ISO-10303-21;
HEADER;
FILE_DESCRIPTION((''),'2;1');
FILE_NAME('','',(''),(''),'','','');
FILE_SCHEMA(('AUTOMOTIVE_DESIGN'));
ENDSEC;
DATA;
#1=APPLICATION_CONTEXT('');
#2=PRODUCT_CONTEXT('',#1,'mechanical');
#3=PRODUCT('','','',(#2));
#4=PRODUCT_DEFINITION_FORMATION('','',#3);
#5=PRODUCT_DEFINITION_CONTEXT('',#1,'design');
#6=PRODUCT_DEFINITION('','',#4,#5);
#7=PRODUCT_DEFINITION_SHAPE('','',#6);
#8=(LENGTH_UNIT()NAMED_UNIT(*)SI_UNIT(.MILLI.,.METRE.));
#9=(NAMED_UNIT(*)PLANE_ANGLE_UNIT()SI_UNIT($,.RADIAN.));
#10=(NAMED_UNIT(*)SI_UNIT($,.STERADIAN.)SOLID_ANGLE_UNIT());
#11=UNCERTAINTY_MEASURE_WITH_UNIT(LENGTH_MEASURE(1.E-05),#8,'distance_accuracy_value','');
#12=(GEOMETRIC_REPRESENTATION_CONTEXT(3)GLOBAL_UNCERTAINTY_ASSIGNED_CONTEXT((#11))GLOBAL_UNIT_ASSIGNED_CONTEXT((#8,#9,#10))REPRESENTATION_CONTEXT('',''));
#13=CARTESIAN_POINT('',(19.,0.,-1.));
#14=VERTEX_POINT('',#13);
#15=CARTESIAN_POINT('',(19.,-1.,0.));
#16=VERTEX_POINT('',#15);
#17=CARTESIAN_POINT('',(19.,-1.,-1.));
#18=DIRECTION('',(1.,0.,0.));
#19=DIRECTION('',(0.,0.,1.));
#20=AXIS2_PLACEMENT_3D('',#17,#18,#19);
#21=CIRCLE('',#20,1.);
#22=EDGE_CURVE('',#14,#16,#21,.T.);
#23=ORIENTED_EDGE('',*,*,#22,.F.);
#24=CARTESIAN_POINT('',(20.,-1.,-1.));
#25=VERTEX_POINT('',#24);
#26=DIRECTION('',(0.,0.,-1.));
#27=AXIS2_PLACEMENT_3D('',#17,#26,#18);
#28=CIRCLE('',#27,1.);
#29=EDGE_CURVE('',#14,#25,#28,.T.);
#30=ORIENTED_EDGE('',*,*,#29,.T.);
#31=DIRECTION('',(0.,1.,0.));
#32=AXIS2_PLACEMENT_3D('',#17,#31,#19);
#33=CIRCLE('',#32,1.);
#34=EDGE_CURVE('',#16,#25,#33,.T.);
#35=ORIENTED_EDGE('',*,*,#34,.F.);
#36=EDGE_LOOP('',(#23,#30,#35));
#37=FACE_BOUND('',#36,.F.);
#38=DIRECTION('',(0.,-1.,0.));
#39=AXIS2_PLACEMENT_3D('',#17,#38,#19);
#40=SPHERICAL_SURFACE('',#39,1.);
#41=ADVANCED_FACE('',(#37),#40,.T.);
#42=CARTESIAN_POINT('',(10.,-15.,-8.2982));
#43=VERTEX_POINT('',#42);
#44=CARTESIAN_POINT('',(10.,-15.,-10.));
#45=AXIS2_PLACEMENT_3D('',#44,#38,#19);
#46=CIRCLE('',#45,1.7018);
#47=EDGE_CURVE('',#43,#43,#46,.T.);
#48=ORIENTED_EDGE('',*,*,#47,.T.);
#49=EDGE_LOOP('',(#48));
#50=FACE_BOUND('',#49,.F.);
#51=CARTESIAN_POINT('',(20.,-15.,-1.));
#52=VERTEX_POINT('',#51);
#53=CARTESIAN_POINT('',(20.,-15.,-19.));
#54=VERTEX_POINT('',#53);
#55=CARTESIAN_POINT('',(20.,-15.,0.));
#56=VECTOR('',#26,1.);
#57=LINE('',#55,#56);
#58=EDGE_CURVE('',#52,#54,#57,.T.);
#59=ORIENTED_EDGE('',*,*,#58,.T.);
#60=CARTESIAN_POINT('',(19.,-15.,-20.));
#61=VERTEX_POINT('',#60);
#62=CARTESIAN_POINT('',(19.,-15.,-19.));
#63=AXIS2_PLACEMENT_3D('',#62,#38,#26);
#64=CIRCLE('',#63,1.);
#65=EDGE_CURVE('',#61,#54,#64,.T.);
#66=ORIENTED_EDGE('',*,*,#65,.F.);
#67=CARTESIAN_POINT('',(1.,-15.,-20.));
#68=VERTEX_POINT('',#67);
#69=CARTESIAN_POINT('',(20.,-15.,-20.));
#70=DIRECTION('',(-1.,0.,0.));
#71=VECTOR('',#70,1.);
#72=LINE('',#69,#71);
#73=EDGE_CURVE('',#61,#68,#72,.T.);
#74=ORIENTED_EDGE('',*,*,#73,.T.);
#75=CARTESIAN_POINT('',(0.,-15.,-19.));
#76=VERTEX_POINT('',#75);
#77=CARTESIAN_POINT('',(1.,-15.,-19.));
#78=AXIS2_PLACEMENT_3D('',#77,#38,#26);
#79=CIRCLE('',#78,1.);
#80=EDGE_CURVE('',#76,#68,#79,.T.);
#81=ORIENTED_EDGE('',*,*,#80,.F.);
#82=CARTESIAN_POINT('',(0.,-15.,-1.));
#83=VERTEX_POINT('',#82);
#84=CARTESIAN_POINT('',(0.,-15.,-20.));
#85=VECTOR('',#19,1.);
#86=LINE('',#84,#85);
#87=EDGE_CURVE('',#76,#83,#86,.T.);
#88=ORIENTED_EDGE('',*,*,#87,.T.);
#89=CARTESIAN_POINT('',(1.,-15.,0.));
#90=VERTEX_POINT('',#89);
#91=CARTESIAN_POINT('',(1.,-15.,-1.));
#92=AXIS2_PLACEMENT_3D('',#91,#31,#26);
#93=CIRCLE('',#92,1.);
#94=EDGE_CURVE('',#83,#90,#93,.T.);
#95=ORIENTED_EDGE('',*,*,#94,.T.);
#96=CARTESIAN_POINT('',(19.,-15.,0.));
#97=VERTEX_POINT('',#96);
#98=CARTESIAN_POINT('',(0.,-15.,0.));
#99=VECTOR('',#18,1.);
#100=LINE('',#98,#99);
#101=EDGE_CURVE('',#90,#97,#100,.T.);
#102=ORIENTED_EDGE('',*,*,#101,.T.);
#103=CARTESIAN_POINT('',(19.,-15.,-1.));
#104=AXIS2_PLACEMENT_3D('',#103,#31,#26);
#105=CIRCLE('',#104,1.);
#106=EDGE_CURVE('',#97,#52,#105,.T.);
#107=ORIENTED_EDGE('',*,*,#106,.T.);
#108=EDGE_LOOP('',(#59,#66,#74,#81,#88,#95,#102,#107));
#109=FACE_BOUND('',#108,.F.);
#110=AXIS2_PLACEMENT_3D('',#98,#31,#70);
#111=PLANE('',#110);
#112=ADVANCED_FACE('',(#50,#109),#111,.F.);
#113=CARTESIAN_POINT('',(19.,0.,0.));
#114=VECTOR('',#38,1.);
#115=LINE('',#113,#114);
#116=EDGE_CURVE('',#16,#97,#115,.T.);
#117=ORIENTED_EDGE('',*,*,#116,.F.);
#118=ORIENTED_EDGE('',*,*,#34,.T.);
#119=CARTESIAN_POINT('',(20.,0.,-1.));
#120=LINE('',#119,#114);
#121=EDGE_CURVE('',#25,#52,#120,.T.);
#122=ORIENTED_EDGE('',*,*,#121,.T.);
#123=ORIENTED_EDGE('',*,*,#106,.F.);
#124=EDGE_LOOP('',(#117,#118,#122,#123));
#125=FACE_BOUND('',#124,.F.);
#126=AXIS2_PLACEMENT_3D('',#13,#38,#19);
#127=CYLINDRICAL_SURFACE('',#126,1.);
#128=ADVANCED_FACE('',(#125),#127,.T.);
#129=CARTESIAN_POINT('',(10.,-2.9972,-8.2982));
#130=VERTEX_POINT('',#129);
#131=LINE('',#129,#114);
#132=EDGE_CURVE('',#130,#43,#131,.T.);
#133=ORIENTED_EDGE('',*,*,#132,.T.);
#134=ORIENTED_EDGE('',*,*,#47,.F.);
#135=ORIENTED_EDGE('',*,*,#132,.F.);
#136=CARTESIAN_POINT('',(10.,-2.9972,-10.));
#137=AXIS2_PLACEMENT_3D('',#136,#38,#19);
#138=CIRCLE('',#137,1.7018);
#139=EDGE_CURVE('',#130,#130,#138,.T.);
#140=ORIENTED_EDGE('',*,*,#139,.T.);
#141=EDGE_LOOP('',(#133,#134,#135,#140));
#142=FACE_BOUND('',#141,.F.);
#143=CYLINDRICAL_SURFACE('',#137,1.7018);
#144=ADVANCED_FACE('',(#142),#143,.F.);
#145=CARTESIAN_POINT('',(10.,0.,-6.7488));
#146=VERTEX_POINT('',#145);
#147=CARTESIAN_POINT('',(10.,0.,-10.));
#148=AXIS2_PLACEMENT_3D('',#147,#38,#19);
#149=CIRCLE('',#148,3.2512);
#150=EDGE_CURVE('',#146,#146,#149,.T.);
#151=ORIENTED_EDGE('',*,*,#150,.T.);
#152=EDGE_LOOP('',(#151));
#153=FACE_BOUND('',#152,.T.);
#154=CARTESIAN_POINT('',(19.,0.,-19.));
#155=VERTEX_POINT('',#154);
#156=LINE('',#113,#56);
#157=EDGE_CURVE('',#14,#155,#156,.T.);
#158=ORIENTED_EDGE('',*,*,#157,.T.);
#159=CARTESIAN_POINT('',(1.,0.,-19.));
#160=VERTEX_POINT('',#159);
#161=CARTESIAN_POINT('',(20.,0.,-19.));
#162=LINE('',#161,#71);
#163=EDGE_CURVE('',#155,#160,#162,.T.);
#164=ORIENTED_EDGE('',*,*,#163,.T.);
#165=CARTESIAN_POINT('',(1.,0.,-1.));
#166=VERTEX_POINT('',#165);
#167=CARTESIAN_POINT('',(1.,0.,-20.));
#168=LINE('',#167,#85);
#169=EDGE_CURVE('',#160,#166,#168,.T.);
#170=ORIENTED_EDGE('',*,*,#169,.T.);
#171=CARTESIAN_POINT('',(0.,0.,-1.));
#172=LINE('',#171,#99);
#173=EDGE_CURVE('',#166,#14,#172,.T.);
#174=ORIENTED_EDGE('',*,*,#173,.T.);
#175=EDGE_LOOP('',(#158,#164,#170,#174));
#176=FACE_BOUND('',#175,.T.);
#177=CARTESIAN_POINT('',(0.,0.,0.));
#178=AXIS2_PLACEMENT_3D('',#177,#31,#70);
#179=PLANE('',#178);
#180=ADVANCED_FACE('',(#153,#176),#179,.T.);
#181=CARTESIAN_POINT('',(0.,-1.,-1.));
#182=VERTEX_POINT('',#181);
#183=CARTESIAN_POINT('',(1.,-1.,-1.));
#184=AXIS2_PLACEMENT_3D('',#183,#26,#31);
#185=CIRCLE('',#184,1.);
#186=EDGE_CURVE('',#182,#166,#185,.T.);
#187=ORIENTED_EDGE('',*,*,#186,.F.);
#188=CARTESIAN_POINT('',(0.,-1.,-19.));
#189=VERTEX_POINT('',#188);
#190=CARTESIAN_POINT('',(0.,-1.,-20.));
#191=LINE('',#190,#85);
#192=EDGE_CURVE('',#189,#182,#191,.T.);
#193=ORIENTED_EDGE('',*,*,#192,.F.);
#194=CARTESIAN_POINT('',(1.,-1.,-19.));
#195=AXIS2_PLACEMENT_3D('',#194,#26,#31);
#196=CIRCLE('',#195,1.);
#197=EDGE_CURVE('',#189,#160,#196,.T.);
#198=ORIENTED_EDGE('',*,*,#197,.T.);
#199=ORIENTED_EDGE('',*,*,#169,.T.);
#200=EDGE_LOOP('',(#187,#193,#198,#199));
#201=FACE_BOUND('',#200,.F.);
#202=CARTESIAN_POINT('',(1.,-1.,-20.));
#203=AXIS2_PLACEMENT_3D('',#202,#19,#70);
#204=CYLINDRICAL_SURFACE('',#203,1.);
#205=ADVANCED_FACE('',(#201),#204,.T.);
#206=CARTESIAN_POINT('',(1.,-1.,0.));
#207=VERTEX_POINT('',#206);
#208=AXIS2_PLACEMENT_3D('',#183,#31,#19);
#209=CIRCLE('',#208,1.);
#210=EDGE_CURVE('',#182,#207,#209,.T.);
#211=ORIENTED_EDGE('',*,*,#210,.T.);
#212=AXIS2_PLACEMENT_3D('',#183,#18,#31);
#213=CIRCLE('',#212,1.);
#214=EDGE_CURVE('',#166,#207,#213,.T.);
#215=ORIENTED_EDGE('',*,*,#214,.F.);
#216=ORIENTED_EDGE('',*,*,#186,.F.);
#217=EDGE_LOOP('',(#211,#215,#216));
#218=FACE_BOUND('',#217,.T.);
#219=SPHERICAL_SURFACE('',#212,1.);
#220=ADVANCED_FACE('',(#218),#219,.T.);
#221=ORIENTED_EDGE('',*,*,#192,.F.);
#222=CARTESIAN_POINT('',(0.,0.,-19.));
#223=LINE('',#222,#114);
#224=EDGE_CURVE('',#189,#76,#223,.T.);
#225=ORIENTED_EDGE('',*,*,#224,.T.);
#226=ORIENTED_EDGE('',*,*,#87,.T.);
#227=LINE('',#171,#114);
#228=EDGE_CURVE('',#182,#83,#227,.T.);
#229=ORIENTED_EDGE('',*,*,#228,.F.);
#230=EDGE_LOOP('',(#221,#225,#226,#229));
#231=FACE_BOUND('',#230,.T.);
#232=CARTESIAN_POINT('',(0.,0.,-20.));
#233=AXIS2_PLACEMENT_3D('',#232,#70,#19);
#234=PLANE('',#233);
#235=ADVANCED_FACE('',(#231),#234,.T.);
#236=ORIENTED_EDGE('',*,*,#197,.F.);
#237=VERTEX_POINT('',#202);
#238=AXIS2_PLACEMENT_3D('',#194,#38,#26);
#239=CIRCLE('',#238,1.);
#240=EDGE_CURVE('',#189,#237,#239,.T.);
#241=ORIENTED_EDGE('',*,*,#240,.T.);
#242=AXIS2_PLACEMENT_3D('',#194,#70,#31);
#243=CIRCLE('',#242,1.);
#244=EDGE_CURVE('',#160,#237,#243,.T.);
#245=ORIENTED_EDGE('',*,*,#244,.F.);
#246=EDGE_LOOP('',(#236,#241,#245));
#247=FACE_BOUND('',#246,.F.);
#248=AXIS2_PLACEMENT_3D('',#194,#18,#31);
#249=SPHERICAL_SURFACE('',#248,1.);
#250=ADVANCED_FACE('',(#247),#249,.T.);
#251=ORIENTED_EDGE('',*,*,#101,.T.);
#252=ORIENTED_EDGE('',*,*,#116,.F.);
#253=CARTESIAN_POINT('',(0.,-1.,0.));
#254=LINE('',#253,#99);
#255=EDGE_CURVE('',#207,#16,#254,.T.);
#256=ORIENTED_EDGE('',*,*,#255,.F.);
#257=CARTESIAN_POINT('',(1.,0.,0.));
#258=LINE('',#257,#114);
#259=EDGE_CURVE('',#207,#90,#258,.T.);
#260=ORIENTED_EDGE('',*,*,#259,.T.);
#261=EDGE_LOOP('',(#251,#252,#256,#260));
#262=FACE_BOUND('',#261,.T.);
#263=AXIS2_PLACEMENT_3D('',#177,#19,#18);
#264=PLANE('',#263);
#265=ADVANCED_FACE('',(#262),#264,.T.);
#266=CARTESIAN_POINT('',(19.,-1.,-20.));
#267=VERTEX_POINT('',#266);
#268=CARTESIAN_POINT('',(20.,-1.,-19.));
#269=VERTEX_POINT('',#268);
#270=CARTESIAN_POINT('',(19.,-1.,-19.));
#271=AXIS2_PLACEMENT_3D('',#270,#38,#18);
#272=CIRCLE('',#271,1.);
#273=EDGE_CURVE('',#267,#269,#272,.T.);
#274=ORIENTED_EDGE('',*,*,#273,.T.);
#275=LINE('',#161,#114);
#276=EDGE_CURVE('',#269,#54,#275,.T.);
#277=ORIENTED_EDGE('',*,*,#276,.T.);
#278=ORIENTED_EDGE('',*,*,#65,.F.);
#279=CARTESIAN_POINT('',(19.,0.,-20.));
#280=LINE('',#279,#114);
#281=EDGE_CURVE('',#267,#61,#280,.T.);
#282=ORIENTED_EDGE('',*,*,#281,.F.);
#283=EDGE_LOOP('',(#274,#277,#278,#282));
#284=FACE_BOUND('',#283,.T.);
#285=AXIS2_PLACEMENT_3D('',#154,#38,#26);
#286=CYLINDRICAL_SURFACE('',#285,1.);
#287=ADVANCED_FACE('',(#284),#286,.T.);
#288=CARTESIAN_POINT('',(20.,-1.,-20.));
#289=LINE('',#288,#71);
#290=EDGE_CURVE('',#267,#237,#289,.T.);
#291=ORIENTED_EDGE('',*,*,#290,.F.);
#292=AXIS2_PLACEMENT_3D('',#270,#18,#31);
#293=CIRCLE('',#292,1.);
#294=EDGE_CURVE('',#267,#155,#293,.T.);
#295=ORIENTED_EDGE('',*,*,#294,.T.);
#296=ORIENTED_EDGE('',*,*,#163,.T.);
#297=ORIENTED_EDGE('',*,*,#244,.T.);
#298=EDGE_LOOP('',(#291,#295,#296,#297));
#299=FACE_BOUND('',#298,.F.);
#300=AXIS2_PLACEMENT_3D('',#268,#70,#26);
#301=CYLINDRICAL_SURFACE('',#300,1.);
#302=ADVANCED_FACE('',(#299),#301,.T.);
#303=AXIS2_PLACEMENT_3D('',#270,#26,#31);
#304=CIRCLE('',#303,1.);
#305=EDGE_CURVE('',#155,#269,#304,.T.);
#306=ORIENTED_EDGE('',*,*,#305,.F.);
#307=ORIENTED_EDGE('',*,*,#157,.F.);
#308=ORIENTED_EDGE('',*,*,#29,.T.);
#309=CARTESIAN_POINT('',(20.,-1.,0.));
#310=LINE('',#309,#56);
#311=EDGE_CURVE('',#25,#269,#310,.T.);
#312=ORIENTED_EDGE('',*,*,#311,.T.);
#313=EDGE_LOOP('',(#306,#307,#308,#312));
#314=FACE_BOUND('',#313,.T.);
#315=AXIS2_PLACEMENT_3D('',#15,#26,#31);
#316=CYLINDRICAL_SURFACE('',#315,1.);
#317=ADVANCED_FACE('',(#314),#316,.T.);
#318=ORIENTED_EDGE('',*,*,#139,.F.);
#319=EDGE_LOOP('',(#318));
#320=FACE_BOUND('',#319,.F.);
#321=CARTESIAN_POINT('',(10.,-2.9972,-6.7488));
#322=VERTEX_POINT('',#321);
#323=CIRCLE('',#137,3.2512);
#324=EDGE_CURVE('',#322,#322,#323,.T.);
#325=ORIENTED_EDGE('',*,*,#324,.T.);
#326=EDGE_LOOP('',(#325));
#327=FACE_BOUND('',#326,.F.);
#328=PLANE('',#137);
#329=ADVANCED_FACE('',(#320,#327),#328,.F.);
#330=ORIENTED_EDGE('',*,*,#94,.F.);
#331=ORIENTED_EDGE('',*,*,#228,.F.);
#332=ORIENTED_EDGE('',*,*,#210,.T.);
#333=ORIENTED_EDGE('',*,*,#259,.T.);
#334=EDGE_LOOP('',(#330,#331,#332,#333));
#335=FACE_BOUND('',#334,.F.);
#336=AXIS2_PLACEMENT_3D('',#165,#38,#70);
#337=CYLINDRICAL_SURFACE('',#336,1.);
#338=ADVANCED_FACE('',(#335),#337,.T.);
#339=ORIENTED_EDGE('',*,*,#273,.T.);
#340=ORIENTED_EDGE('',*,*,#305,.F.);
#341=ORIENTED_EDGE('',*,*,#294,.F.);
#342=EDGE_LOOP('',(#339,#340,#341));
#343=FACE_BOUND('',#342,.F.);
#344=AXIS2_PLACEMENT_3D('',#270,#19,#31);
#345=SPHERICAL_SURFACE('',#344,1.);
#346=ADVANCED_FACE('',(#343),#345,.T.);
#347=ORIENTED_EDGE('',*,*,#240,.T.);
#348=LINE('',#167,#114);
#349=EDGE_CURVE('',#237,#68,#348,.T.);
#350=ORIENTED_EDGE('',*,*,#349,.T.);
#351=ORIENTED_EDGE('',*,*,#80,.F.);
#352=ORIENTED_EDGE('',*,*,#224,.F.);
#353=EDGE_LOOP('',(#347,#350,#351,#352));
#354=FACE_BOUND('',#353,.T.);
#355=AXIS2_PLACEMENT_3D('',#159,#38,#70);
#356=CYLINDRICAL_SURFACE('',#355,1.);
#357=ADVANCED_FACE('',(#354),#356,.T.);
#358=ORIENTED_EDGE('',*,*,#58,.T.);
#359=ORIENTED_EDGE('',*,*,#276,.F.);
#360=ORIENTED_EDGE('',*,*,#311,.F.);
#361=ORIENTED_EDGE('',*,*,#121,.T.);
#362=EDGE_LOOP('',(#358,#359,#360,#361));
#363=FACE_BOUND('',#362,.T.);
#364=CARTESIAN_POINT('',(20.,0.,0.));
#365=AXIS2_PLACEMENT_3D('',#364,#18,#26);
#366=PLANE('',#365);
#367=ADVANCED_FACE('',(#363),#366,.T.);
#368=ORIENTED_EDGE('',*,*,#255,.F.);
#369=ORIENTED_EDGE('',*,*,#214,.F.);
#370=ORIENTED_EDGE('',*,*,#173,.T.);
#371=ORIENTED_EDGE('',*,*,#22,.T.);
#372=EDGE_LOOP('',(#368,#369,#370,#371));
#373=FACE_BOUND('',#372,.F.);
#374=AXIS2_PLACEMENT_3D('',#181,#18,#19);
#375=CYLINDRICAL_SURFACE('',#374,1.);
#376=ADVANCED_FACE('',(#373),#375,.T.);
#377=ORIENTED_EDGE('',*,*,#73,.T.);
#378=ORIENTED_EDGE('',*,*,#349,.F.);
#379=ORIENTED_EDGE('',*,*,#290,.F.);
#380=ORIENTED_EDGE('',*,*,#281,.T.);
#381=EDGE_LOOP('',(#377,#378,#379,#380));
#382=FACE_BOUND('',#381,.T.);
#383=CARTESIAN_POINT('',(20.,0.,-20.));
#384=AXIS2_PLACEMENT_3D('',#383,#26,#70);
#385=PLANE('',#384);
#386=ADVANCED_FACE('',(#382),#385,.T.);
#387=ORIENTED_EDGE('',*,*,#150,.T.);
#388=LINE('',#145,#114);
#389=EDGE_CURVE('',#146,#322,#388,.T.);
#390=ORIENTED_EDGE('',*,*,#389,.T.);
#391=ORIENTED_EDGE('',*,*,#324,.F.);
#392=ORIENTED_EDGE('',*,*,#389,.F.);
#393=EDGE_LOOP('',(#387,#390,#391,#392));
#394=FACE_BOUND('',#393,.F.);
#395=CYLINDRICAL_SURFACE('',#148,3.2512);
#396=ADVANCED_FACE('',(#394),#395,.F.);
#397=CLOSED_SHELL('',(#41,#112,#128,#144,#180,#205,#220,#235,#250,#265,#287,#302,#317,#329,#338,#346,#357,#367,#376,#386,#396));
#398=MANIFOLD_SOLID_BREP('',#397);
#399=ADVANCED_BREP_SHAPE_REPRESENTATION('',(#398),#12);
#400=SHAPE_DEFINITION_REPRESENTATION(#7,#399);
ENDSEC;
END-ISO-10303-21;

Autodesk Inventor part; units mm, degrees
ref_plane "YZ Plane" through (0, 0, 0) normal (1, 0, 0) x (0, 1, 0)
ref_plane "XZ Plane" through (0, 0, 0) normal (0, 1, 0) x (-1, 0, 0)
ref_plane "XY Plane" through (0, 0, 0) normal (0, 0, 1) x (1, 0, 0)
sketch "Sketch1" plane through (0, 0, 0) normal (0, 1, 0) x (-1, 0, 0)
  line L0 (0, 0) -> (-20, 0)
  line L1 (-20, 0) -> (-20, -20)
  line L2 (-20, -20) -> (0, -20)
  line L3 (0, -20) -> (0, 0)
  point P0 (-10, -10)
  point P1 (-20, -10)
  point P2 (-10, -20)
  dimension "d0" = 20
  dimension "d1" = 20
extrude "Extrusion1" add sketch "Sketch1" against normal blind 15
hole "Hole1" at (10, 0, -10) direction (0, -1, 0) diameter 3.4036 end through all counterbore diameter 6.5024 counterbore depth 2.9972 clearance for "Socket Head Cap Screw" size "M3" standard "Ansi Metric M Profile"
fillet "Fillet1" radius 1 8 edges at (20, -7.5, 0) (10, 0, 0) (20, 0, -10) (10, 0, -20) (0, 0, -10) (20, -7.5, -20) (0, -7.5, -20) (0, -7.5, 0)
properties part number "Stop Block"
